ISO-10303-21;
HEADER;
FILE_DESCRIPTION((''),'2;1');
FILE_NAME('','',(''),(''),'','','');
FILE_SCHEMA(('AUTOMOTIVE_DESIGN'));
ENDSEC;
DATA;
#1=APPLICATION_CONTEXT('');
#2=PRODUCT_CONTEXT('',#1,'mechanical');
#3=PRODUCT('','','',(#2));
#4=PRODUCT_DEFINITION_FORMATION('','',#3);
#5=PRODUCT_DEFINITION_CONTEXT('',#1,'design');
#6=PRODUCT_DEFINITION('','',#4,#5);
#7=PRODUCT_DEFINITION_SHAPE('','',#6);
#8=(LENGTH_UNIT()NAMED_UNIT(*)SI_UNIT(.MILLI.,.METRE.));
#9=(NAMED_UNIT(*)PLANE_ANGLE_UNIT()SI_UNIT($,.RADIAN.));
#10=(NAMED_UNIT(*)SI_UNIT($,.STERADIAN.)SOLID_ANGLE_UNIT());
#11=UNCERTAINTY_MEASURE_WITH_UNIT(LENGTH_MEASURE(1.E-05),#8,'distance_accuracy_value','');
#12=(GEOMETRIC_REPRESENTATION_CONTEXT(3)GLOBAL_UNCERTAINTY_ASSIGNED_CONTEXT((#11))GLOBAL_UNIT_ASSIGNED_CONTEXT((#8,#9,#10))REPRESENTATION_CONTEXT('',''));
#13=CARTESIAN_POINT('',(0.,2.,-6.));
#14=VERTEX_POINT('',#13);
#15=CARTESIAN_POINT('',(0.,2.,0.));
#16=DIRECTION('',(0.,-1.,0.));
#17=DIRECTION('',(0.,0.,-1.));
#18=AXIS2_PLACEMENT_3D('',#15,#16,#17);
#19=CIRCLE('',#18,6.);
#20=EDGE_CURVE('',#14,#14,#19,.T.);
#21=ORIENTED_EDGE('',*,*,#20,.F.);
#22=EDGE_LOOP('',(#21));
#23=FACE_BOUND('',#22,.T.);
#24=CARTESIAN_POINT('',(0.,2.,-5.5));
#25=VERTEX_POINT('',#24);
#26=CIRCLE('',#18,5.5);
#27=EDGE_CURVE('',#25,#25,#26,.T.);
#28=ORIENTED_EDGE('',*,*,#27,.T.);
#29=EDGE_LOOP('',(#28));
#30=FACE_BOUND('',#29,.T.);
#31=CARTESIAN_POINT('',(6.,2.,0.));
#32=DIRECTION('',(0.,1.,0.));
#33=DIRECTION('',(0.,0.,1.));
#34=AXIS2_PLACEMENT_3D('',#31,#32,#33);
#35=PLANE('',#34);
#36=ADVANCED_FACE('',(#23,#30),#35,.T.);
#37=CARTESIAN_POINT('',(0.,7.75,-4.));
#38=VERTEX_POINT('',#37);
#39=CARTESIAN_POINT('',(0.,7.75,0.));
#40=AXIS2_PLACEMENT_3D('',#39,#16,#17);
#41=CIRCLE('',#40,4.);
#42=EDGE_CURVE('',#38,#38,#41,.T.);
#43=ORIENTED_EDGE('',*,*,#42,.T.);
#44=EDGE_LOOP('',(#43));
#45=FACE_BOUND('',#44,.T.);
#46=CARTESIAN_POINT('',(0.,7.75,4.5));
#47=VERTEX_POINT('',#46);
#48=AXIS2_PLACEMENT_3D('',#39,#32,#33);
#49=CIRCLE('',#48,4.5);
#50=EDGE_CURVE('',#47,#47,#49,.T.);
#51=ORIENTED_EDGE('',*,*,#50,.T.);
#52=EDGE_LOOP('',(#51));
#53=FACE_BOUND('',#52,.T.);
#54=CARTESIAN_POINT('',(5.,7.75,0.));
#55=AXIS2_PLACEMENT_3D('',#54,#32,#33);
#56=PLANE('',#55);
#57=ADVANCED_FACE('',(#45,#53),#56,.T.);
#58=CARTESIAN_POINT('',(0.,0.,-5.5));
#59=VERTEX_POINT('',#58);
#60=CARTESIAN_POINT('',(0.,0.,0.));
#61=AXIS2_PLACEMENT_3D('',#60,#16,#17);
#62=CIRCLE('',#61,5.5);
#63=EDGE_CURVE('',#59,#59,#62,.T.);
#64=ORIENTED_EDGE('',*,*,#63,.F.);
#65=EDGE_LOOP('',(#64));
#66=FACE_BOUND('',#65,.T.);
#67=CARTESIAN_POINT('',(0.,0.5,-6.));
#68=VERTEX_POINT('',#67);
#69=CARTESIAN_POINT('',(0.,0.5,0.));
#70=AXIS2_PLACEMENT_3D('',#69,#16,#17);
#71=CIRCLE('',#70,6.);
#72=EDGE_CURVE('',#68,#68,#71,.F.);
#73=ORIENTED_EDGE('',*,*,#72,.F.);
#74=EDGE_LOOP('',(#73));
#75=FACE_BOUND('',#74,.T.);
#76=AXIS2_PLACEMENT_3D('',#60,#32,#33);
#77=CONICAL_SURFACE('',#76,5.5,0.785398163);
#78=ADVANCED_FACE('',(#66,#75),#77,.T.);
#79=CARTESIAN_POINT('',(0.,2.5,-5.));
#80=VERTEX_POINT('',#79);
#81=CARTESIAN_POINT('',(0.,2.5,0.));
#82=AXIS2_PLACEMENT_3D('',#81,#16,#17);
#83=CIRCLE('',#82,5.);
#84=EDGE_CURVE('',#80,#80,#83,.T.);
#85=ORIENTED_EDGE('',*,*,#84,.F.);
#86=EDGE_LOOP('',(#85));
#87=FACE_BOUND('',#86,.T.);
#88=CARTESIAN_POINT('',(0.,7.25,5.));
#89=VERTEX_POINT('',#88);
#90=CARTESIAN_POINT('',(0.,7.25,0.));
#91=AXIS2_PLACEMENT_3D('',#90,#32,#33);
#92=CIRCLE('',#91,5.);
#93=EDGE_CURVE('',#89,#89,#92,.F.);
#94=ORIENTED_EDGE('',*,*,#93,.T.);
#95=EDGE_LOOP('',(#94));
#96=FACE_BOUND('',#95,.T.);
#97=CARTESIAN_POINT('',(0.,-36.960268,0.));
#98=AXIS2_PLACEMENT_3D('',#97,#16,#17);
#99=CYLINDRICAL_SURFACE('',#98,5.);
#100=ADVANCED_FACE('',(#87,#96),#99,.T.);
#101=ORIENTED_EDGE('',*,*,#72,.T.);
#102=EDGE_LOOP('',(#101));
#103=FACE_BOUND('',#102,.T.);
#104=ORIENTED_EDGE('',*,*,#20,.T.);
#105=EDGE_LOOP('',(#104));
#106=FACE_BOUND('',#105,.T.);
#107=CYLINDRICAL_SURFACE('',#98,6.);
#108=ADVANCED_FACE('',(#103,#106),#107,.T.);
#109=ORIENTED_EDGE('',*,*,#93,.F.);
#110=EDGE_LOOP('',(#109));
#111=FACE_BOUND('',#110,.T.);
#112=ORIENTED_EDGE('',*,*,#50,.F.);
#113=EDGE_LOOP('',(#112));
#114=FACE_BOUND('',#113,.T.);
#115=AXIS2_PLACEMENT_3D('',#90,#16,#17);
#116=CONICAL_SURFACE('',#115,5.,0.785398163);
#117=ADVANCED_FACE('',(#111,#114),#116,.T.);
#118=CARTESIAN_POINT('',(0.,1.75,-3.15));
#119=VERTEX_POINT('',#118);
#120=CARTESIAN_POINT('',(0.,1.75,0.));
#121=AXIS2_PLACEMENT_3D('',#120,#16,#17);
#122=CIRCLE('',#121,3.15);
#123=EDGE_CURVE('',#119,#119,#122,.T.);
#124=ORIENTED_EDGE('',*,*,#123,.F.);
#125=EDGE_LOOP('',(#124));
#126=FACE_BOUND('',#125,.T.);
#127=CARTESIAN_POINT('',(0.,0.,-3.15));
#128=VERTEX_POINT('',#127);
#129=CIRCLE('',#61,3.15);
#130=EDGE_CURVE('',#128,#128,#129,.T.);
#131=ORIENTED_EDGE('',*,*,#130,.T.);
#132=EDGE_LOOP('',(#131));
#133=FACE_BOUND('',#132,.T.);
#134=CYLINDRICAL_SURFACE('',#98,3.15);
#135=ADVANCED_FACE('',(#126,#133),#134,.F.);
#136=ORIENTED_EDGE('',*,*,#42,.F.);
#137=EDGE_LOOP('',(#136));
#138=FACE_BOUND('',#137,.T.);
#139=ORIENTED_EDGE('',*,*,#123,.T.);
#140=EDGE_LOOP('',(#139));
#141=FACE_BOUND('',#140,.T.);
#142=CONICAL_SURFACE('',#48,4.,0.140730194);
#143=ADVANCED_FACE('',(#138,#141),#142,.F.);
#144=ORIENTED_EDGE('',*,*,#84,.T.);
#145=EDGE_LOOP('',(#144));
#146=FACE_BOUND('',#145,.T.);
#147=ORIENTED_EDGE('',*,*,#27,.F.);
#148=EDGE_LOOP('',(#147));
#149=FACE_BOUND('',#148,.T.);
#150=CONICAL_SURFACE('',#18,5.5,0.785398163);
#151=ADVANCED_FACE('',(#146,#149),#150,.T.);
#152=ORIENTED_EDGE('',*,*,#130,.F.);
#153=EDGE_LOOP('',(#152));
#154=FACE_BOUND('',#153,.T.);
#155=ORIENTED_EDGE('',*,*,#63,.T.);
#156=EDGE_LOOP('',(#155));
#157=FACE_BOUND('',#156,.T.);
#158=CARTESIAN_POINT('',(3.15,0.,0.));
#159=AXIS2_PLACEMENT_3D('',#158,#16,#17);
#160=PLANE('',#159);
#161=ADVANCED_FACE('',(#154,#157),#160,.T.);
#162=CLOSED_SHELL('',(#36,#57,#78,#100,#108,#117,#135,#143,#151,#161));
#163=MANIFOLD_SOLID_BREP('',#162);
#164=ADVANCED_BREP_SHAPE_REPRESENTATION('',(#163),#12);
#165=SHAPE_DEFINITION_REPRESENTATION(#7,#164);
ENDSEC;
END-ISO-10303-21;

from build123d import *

# Parameters (mm, degrees)
CHANFREIN1_SIZE = 0.5
CHANFREIN2_SIZE = 0.5


with BuildPart() as part:
    # Sketch1 → Revolve1 (revolve)
    with BuildSketch(Plane.XY):
        Polygon((3.15, 0), (6, 0), (6, 2), (5.5, 2), (5, 2.5), (5, 7.75), (4, 7.75), (3.15, 1.75), align=None)
    revolve(axis=Axis((0, -36.960268038, 0), (0, 1, 0)))

    # Chanfrein1
    chanfrein1_edges = [part.edges().sort_by_distance(p)[0] for p in [
        (-6, 0, 0),
    ]]
    chamfer(chanfrein1_edges, length=CHANFREIN1_SIZE)

    # Chanfrein2
    chanfrein2_edges = [part.edges().sort_by_distance(p)[0] for p in [
        (-5, 7.75, 0),
    ]]
    chamfer(chanfrein2_edges, length=CHANFREIN2_SIZE)


solid = part.part
